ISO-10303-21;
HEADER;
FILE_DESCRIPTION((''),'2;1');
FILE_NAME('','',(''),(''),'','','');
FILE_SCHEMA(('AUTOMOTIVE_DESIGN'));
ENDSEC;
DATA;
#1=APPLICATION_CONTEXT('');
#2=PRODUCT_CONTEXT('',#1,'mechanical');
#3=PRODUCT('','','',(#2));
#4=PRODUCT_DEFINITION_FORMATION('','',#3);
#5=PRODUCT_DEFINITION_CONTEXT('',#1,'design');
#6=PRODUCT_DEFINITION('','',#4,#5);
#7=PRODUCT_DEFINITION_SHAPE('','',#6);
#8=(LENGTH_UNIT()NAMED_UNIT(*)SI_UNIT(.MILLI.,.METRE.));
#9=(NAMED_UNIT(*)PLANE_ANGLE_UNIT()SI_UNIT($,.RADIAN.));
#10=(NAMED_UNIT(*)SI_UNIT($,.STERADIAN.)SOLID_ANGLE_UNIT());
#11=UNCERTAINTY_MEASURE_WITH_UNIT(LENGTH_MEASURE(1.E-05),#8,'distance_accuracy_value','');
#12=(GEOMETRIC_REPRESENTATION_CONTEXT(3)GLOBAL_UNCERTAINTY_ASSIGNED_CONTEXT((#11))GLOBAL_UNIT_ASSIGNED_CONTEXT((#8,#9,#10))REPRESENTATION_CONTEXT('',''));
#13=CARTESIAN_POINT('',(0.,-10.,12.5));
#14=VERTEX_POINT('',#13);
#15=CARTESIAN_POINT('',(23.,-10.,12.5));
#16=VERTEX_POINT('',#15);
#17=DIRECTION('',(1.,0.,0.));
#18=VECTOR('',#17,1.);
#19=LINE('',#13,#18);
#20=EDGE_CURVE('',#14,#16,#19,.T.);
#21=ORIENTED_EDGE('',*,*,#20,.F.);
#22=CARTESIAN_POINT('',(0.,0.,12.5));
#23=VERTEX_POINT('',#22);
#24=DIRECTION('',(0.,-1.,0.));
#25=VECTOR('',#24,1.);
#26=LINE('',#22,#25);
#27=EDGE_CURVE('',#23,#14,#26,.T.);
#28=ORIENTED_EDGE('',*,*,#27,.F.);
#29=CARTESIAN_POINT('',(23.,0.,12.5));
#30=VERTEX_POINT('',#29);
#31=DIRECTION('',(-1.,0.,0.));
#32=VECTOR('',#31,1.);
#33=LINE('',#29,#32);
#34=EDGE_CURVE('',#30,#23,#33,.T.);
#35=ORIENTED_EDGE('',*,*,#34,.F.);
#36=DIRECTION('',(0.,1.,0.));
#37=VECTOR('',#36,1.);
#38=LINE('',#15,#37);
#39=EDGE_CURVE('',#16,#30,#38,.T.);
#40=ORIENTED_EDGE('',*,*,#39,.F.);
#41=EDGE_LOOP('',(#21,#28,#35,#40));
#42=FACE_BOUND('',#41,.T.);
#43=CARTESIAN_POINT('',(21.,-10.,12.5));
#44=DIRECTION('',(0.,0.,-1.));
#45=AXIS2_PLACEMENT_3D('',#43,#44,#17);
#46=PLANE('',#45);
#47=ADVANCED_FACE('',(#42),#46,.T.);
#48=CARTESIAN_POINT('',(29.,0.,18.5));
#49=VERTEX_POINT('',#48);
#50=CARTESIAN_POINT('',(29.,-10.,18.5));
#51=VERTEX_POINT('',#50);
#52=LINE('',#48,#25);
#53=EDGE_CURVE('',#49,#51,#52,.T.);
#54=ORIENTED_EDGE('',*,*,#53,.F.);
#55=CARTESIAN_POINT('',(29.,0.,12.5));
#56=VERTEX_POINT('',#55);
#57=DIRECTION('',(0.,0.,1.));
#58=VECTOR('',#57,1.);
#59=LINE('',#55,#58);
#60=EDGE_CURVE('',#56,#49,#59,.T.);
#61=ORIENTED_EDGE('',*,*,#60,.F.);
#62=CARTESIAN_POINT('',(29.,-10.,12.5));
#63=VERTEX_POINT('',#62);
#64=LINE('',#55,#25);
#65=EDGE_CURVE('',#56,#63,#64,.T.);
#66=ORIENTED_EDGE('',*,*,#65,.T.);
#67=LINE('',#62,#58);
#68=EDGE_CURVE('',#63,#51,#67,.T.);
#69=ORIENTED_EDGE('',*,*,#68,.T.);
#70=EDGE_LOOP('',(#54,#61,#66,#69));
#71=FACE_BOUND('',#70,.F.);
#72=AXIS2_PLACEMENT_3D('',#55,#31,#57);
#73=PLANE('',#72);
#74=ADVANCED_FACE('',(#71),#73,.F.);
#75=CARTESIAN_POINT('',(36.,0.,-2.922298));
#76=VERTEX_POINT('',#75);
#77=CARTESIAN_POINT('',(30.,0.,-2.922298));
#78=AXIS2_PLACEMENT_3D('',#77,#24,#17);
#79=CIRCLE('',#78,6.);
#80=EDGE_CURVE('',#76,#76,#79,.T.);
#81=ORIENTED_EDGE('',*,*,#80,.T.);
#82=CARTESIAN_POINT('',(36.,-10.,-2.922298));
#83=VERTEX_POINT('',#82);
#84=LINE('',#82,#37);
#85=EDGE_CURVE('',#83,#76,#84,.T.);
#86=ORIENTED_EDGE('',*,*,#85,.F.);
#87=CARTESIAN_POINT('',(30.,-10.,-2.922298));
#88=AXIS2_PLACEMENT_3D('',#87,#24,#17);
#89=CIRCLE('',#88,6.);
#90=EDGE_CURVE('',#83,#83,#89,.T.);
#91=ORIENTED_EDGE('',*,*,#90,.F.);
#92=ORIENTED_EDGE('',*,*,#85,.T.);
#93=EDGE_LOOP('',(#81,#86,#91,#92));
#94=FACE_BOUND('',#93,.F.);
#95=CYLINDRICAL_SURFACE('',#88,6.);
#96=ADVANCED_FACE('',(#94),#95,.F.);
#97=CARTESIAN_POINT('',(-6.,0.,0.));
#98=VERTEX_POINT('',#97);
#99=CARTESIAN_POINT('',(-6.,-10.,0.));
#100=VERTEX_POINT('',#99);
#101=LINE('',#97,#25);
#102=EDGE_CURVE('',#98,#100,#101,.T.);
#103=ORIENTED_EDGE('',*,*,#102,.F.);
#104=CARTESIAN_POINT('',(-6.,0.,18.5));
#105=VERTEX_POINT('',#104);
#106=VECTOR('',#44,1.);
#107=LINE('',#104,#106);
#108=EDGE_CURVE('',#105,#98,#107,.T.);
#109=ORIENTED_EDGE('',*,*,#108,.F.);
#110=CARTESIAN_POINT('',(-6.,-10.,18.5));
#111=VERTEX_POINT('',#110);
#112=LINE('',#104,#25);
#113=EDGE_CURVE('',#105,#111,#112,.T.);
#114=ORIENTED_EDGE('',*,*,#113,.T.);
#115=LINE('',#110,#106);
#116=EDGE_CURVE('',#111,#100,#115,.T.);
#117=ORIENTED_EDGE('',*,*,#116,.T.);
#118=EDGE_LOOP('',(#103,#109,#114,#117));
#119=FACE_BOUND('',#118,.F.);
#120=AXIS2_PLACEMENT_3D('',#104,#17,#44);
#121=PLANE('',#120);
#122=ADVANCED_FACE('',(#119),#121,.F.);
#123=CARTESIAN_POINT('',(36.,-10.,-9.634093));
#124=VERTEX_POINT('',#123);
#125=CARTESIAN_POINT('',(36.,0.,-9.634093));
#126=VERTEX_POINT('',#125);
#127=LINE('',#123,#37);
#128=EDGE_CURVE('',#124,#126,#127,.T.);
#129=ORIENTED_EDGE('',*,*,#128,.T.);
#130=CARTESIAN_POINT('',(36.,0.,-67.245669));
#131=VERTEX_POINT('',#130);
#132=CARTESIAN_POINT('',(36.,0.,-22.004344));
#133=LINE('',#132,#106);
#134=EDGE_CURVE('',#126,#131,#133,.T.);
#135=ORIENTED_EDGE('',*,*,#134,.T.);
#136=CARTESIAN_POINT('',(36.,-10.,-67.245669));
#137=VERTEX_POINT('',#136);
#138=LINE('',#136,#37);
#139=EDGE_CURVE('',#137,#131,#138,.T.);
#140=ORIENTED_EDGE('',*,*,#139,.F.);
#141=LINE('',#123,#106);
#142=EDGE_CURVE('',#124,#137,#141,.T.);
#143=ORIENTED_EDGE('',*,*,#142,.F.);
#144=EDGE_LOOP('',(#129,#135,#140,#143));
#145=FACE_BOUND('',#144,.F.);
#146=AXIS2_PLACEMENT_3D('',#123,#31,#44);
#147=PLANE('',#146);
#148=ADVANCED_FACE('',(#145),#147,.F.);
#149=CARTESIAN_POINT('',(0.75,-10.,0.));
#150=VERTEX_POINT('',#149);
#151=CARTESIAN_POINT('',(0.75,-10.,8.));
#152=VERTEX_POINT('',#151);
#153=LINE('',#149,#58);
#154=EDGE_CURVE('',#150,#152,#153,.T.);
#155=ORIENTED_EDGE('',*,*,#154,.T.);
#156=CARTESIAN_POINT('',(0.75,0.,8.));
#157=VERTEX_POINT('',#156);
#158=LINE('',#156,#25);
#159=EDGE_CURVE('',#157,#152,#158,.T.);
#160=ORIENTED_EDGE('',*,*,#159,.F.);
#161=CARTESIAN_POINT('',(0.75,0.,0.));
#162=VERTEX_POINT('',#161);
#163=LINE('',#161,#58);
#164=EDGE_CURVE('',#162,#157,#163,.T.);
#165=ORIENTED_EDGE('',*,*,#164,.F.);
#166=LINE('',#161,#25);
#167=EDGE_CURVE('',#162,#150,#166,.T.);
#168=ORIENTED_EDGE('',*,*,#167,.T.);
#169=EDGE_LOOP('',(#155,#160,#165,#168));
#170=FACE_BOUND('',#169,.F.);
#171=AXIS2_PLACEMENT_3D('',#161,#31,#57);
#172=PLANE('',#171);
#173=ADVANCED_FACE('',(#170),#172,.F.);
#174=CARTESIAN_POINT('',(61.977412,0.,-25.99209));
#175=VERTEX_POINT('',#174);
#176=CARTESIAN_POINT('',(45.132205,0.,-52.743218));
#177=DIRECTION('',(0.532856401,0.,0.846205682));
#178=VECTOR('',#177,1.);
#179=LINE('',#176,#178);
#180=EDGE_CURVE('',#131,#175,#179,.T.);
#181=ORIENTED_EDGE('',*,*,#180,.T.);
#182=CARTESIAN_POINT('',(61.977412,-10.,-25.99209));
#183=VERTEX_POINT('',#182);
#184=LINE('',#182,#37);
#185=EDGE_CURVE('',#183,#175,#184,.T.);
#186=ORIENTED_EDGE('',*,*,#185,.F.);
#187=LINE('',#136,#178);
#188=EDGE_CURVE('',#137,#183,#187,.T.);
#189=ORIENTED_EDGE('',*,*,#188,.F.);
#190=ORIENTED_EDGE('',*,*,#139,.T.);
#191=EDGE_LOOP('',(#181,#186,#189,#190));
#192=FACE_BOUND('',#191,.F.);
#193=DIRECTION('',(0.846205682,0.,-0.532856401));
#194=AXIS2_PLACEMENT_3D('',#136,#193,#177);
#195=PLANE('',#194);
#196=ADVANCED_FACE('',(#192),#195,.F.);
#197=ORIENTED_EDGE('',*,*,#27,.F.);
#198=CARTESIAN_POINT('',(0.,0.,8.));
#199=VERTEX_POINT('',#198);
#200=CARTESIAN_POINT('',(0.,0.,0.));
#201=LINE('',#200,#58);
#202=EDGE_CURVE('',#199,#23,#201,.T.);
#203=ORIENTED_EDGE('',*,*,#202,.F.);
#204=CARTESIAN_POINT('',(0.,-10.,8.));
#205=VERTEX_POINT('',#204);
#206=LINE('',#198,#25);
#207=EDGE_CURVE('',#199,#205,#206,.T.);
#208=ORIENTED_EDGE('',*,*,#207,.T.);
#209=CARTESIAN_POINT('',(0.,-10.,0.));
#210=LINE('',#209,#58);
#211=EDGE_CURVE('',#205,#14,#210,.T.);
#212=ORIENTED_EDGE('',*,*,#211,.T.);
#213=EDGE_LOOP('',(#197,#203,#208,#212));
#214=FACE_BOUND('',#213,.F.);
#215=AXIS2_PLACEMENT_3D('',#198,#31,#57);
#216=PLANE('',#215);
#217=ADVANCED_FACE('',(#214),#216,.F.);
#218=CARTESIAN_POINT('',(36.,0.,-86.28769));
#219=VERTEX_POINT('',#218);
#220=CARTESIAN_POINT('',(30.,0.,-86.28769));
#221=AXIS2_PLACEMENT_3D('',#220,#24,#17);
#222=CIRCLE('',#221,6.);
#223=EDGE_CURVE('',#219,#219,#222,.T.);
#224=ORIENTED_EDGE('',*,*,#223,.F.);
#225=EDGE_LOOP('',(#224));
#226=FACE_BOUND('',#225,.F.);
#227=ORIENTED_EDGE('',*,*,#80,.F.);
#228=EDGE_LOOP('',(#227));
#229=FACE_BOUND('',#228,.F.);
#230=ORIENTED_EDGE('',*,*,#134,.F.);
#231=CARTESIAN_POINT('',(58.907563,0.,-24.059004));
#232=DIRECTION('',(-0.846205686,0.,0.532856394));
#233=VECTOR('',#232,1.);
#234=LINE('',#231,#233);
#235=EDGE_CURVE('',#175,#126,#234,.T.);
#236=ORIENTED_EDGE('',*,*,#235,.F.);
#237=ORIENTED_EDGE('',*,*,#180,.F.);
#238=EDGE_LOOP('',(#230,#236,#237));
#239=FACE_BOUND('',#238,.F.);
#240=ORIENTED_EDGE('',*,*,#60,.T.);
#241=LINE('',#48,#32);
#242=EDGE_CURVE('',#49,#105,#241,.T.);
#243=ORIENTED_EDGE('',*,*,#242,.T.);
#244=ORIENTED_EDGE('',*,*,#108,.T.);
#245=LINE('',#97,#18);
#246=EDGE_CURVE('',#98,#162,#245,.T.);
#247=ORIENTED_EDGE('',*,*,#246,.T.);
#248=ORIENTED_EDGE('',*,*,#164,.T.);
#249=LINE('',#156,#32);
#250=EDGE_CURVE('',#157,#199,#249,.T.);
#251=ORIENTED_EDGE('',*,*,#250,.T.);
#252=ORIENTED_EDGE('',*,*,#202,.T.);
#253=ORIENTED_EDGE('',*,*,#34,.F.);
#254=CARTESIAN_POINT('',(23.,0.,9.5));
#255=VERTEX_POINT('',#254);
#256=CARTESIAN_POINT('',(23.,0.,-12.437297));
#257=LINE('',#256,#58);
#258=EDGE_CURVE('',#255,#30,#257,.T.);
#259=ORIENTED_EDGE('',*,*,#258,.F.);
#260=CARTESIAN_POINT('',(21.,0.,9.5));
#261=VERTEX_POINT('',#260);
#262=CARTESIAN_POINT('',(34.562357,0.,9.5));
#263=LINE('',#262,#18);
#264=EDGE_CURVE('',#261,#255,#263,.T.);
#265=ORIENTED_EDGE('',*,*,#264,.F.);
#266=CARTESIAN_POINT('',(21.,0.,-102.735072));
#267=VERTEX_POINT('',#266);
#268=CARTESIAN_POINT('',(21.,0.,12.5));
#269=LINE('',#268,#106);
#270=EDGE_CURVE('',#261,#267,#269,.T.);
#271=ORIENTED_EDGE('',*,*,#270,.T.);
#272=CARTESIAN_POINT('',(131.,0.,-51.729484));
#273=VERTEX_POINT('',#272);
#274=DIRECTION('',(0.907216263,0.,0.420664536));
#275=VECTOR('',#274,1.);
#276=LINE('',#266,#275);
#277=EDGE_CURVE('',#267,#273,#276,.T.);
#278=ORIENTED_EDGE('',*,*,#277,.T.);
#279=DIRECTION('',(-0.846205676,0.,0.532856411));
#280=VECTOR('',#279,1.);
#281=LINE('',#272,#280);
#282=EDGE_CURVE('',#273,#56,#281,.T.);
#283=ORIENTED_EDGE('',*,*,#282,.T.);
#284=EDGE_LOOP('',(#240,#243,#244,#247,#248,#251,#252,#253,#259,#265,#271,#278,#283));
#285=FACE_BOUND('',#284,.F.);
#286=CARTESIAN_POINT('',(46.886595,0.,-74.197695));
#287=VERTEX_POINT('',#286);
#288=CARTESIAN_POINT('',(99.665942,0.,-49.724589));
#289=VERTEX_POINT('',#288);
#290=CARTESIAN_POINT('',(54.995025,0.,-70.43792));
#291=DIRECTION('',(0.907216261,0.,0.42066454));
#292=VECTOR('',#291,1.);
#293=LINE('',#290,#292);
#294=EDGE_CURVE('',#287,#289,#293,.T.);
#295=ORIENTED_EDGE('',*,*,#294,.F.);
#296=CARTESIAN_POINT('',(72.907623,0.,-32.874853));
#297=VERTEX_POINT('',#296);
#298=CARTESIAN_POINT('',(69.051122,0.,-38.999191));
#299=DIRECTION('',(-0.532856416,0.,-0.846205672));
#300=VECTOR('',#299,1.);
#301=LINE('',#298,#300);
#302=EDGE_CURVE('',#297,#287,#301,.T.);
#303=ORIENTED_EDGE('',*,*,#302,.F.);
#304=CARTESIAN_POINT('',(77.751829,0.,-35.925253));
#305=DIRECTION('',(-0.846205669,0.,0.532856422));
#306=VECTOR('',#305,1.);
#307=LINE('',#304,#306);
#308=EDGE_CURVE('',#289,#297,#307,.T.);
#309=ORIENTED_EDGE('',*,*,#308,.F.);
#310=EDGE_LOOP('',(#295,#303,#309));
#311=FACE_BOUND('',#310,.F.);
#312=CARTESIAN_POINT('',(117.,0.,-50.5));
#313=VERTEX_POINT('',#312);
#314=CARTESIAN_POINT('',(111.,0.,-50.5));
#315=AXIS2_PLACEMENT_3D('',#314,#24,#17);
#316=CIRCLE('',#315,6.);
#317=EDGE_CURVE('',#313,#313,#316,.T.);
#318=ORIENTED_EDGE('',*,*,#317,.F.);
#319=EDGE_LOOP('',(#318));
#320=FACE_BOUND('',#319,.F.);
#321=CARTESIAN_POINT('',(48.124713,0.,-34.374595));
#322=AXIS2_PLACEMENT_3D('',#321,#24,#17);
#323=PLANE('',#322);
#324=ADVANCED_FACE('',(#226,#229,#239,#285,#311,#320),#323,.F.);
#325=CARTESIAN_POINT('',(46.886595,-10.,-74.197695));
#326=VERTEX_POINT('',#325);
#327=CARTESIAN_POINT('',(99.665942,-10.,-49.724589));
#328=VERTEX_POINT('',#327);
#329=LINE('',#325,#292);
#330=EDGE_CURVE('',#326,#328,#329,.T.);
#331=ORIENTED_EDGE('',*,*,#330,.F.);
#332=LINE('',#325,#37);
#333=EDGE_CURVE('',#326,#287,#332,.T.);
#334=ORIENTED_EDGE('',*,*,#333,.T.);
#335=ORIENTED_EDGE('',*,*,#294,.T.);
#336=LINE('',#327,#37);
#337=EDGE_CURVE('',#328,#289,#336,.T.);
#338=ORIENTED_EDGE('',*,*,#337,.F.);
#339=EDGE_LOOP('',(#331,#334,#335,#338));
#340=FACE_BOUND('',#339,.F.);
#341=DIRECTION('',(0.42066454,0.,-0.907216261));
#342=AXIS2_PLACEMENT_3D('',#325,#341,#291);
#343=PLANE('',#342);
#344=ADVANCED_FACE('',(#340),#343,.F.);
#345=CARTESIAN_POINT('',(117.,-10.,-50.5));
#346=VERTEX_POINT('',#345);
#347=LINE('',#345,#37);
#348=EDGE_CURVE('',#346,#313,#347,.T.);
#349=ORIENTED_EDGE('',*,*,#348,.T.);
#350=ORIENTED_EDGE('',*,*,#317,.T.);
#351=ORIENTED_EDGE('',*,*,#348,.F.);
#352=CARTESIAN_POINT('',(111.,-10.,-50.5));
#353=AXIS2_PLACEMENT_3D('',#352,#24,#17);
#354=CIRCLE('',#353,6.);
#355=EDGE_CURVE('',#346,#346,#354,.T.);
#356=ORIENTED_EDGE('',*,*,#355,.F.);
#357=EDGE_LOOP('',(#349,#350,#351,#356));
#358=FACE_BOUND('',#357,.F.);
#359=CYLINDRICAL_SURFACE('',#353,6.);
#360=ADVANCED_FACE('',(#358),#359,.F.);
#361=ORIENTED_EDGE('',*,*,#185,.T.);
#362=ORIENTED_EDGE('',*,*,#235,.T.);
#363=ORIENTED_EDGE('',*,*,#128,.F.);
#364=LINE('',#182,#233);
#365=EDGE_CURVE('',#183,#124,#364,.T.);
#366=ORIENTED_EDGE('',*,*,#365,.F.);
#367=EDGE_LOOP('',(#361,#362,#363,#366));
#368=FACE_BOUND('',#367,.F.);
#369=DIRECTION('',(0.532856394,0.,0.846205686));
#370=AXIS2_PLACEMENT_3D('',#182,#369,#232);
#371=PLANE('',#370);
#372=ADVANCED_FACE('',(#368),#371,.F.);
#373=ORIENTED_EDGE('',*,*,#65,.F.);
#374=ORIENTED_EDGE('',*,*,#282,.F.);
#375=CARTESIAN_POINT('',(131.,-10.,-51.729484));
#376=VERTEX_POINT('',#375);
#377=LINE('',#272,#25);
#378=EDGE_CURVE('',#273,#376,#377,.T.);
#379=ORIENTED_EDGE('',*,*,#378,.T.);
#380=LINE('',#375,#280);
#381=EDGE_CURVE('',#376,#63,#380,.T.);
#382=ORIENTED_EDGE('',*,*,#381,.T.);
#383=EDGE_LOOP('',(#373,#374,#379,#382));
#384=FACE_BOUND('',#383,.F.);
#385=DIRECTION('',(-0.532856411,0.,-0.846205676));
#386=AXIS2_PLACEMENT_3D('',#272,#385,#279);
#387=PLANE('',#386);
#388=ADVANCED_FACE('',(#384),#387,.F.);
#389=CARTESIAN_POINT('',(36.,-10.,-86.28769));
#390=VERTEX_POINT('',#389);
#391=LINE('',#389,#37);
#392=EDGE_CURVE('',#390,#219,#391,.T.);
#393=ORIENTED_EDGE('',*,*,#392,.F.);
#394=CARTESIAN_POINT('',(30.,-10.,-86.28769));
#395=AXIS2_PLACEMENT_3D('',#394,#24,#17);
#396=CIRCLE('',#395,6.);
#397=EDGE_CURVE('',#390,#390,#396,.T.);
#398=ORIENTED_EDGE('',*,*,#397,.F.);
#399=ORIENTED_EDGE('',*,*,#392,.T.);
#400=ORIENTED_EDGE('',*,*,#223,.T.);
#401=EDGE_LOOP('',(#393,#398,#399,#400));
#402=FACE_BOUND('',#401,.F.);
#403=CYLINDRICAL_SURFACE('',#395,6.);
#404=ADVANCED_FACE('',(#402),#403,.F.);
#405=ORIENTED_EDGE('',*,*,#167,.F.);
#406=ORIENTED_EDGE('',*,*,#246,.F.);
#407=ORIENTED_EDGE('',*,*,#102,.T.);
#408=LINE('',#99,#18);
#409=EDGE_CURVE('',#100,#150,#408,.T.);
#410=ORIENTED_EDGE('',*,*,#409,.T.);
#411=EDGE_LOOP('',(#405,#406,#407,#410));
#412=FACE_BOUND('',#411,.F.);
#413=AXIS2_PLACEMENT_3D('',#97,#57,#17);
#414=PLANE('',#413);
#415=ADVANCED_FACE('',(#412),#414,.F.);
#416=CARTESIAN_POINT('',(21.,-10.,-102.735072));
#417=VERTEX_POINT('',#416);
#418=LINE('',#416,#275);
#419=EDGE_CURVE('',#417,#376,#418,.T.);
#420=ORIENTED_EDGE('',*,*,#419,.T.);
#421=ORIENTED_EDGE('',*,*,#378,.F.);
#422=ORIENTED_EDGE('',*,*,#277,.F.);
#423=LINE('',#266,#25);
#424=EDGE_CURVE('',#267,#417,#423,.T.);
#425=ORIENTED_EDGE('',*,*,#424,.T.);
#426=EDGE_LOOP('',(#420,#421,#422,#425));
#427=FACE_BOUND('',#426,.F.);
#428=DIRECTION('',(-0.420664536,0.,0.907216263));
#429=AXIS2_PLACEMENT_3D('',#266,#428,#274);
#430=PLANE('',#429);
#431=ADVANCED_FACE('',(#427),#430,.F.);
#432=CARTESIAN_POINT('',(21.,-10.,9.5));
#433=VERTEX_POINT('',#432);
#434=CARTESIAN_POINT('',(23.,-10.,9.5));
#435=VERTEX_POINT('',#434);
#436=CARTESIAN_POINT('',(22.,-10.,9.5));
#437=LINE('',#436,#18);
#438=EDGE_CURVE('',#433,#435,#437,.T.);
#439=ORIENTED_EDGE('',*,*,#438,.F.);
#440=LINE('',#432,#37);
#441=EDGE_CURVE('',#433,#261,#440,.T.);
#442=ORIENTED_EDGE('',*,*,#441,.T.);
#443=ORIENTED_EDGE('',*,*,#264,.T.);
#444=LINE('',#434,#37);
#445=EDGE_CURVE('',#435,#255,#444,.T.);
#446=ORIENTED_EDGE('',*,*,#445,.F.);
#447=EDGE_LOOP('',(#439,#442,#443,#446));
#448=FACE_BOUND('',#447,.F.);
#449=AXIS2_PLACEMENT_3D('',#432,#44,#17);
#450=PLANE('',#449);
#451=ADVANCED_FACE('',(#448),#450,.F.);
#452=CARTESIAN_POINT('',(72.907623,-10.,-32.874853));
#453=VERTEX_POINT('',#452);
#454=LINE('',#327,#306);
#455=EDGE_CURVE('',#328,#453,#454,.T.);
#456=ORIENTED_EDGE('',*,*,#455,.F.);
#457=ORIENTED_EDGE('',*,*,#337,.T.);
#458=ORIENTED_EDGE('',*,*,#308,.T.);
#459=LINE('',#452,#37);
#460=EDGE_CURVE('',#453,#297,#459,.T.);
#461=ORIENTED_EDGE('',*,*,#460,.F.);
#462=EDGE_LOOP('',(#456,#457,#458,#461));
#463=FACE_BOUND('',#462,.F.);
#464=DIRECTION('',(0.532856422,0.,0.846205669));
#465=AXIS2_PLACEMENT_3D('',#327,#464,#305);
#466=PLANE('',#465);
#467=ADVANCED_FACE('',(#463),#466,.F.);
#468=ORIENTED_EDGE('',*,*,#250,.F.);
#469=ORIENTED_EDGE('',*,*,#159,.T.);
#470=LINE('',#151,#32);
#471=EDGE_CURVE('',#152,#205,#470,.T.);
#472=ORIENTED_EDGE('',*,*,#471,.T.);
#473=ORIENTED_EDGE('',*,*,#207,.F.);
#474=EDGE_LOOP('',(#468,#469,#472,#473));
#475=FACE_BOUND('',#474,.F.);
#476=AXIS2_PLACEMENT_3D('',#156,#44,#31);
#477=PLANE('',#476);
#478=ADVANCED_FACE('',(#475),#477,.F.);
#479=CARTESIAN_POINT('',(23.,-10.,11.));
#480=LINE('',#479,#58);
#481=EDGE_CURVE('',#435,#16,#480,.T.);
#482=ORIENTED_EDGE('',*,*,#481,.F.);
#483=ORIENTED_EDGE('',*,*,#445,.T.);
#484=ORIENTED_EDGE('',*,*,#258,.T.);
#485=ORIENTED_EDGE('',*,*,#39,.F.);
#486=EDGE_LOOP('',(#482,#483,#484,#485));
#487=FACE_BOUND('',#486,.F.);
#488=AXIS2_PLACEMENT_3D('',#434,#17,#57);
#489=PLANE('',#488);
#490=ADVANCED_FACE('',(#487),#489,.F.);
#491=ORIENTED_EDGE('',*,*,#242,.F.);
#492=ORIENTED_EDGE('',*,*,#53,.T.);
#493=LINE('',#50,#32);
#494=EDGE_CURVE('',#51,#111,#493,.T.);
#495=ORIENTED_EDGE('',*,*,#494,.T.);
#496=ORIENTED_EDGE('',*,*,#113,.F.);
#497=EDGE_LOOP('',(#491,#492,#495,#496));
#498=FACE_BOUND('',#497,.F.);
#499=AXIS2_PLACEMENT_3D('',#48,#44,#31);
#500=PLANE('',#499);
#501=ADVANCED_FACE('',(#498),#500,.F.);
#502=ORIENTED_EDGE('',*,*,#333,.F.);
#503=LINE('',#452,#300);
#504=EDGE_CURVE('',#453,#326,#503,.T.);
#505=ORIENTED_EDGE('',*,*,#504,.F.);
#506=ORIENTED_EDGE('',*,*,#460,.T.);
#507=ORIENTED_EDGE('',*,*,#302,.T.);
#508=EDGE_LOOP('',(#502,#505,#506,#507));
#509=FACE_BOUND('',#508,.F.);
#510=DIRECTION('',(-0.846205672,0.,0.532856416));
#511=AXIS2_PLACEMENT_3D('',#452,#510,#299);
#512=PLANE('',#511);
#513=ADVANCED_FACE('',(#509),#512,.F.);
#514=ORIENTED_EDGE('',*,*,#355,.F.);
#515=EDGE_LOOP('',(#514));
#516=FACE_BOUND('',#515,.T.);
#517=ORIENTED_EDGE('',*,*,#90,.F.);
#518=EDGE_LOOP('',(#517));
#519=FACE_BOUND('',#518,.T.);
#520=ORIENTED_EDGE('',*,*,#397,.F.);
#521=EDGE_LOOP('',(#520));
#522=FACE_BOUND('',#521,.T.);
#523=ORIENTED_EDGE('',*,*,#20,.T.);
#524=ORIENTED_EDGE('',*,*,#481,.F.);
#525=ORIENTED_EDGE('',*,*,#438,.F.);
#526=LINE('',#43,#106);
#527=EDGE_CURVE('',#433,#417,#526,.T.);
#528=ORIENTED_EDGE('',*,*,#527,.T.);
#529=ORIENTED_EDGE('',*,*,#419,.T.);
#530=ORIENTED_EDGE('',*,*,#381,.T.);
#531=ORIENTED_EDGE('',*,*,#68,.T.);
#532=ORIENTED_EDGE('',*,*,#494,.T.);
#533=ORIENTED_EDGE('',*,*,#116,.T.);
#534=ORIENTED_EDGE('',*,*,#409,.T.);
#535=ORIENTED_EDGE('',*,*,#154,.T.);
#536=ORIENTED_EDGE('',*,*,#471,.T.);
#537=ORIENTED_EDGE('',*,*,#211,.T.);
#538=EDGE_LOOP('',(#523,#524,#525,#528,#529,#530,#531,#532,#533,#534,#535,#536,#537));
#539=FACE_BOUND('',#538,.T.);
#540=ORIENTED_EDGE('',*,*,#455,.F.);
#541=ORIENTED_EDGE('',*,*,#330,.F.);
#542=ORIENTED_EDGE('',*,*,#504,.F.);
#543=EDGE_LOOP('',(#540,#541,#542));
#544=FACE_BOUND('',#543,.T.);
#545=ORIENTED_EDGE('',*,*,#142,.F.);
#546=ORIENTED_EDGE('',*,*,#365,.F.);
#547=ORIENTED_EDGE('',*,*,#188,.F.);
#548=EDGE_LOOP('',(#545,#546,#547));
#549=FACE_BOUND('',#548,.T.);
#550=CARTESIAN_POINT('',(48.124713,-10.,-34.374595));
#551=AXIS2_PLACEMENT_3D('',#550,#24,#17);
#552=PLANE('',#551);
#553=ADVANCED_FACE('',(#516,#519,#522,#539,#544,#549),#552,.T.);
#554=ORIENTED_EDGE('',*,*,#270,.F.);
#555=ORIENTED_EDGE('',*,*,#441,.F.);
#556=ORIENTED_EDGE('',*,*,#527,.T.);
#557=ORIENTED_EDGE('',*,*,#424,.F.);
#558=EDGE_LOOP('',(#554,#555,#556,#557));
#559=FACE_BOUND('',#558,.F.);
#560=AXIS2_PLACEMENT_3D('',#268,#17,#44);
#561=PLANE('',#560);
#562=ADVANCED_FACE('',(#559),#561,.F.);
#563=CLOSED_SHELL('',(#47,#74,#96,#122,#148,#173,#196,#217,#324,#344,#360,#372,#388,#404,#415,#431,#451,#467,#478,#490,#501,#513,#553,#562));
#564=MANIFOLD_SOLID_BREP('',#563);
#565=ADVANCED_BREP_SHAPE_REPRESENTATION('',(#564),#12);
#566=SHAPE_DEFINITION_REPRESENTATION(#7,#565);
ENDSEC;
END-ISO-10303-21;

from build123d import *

# Parameters (mm, degrees)
F1_DEPTH = 10
F3_DEPTH = 25
F4_R     = 6
F5_DEPTH = 25
F6_W     = 2
F6_H     = 3
F7_DEPTH = 25


with BuildPart() as f1:
    # F0 (on Front) → F1 (new body)
    with BuildSketch(Plane.XZ):
        Polygon((-6, 0), (0, 0), (0, 8), (0, 12.5), (21, 12.5), (21, -102.735072), (131, -51.729484), (29, 12.5), (29, 18.5), (-6, 18.5), align=None)
        Polygon((0, 8), (0, 0), (0.75, 0), (0.75, 6.25), (0.75, 8), align=None)
    extrude(amount=F1_DEPTH)

    # F2 (on face) → F3 (cut)
    with BuildSketch(Plane.XZ.offset(10)):
        Polygon((61.977412, -25.99209), (36, -9.634093), (36, -67.245669), align=None)
        Polygon((99.665942, -49.724589), (72.907623, -32.874853), (46.886595, -74.197695), align=None)
    extrude(amount=-F3_DEPTH, mode=Mode.SUBTRACT)

    # F4 (on face) → F5 (cut)
    with BuildSketch(Plane.XZ.offset(10)):
        with Locations((30, -2.922298)):
            Circle(F4_R)
        with Locations((111, -50.5)):
            Circle(F4_R)
        with Locations((30, -86.28769)):
            Circle(F4_R)
    extrude(amount=-F5_DEPTH, mode=Mode.SUBTRACT)

    # F6 (on face) → F7 (cut)
    with BuildSketch(Plane.XZ.offset(10)):
        with Locations((22, 11)):
            Rectangle(F6_W, F6_H)
    extrude(amount=-F7_DEPTH, mode=Mode.SUBTRACT)


solid = f1.part
